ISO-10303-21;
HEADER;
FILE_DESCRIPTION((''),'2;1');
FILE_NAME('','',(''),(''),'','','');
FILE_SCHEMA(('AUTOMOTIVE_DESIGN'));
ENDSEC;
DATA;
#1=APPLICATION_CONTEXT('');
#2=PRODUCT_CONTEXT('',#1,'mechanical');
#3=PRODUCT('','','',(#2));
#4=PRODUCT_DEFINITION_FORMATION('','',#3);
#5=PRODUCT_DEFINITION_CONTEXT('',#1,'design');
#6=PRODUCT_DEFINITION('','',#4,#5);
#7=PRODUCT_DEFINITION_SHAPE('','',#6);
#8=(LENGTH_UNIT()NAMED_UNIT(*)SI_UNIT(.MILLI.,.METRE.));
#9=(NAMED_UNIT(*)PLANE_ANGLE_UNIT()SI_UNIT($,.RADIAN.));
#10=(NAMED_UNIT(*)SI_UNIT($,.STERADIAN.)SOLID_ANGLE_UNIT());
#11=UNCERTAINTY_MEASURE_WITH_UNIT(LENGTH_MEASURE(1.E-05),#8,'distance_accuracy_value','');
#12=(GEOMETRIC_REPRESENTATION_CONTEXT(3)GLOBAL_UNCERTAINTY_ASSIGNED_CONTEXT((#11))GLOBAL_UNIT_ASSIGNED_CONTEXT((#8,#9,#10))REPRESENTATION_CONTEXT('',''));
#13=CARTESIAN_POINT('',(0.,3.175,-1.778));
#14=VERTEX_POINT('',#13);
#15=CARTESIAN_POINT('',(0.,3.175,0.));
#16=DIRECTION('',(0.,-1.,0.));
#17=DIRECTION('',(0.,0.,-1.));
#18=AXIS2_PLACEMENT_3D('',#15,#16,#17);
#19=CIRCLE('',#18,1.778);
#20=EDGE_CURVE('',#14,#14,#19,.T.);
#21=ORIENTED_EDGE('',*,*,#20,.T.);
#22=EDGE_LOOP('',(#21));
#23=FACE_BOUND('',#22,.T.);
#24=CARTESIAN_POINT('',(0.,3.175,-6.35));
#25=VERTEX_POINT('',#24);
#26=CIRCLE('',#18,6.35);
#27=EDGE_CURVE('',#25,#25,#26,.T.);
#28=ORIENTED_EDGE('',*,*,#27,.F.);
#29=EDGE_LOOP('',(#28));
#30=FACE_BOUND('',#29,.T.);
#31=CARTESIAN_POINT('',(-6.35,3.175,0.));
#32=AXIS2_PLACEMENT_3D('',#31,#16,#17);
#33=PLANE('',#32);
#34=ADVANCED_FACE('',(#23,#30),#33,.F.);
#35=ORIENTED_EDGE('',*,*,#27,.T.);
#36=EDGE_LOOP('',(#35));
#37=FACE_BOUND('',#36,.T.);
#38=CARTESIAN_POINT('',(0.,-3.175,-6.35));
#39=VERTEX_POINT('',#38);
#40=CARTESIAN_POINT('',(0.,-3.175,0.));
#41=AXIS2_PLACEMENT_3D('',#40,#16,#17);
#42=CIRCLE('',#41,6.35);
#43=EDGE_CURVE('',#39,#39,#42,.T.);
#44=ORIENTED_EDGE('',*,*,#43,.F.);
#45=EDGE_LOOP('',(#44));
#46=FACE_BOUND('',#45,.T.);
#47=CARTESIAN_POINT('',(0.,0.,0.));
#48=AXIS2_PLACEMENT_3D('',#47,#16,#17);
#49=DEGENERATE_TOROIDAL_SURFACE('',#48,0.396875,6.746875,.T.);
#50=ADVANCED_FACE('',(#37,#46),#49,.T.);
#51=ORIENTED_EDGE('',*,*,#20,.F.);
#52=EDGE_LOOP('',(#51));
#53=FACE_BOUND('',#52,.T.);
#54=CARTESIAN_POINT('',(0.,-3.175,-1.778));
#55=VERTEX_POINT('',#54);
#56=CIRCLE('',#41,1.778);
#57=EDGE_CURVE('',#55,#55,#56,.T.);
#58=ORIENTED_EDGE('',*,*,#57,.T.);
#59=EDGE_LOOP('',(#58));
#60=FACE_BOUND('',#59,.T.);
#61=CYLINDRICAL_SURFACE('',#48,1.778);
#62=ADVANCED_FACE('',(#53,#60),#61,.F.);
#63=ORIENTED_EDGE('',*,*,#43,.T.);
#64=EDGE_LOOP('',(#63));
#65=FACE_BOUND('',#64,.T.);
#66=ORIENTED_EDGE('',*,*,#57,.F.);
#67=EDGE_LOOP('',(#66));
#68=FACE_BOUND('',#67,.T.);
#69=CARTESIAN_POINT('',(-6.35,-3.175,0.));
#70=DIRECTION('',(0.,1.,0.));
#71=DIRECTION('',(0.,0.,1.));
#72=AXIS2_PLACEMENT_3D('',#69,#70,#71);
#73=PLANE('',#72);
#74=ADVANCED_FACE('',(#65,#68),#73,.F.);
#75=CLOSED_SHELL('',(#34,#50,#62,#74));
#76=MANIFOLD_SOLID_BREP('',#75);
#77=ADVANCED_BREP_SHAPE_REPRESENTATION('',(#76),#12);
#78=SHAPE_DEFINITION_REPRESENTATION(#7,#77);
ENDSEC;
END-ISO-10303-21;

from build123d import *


with BuildPart() as part:
    # Sketch1 → Revolve1 (revolve)
    with BuildSketch(Plane.XY):
        with BuildLine():
            Line((-6.35, 3.175), (-1.778, 3.175))
            Line((-1.778, 3.175), (-1.778, -3.175))
            Line((-1.778, -3.175), (-6.35, -3.175))
            ThreePointArc((-6.35, -3.175), (-7.14375, 0), (-6.35, 3.175))
        make_face()
    revolve(axis=Axis((0, 0, 0), (0, 1, 0)))


solid = part.part
